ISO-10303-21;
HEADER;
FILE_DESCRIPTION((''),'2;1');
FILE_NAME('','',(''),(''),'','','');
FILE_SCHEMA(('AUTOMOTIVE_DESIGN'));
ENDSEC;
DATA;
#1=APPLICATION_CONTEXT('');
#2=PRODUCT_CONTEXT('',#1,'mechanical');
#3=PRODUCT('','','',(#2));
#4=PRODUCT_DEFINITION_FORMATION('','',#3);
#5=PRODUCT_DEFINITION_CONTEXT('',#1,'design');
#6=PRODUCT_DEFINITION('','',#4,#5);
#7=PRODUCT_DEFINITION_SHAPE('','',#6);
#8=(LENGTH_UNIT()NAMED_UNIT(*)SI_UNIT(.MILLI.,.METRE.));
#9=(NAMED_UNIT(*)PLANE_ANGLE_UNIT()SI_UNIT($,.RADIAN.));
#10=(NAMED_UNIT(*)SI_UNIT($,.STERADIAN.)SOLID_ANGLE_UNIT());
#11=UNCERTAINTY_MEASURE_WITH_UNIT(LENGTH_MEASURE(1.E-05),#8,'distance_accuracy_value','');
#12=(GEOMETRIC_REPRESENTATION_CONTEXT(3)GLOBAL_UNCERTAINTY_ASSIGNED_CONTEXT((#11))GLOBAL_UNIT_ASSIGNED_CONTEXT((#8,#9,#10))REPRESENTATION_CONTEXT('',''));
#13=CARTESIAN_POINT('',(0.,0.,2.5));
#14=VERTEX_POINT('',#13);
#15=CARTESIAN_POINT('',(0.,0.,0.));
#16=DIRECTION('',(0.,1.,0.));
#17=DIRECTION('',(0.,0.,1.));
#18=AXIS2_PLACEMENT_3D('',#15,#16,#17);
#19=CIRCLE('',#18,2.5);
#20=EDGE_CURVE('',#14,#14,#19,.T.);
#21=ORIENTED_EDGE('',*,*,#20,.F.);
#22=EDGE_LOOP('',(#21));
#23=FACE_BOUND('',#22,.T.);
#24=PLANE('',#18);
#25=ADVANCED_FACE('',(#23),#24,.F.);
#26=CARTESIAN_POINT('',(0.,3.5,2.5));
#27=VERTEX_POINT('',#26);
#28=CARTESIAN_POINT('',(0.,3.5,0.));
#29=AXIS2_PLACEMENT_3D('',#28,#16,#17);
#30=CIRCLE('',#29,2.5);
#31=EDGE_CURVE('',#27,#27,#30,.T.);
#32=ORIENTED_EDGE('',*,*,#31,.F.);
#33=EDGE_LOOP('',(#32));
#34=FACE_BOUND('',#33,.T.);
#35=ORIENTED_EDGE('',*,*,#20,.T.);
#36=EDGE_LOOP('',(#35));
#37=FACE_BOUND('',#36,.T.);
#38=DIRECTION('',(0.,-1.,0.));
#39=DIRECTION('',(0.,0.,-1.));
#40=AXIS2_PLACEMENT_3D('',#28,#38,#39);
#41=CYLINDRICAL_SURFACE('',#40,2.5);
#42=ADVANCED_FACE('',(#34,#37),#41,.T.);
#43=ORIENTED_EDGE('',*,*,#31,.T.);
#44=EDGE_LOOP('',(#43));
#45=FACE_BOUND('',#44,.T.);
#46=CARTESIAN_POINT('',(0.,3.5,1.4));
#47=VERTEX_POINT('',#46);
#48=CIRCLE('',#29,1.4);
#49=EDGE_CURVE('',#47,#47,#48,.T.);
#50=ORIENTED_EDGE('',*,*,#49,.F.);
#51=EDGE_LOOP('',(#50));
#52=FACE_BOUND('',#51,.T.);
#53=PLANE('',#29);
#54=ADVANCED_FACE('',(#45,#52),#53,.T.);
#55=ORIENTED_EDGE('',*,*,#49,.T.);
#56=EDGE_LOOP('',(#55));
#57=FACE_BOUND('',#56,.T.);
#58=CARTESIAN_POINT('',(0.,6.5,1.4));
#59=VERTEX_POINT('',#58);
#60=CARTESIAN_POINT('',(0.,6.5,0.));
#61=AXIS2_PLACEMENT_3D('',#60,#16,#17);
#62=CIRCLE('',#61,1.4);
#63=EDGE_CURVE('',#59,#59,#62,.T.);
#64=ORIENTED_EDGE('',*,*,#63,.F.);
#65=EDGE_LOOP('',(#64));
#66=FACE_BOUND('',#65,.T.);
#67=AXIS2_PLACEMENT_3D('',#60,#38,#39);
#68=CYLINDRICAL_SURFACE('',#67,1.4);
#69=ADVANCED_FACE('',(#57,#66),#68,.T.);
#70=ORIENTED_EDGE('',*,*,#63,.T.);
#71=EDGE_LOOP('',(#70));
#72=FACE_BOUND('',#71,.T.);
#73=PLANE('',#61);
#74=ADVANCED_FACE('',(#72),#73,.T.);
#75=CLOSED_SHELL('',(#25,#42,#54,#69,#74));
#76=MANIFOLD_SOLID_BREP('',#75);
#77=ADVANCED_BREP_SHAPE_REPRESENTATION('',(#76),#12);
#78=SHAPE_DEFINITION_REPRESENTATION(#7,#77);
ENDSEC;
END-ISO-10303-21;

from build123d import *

# Parameters (mm, degrees)
ESQUISSE1_R        = 1.4
BOSS_EXTRU_1_DEPTH = 6.5
ESQUISSE2_R        = 2.5
BOSS_EXTRU_2_DEPTH = 3.5


with BuildPart() as part:
    # Esquisse1 → Boss.-Extru.1 (new body)
    with BuildSketch(Plane(origin=(0, 0, 0), x_dir=(1, 0, 0), z_dir=(0, 1, 0))):
        Circle(ESQUISSE1_R)
    extrude(amount=BOSS_EXTRU_1_DEPTH)

    # Esquisse2 → Boss.-Extru.2 (add)
    with BuildSketch(Plane(origin=(0, 0, 0), x_dir=(1, 0, 0), z_dir=(0, 1, 0))):
        Circle(ESQUISSE2_R)
    extrude(amount=BOSS_EXTRU_2_DEPTH)


solid = part.part
